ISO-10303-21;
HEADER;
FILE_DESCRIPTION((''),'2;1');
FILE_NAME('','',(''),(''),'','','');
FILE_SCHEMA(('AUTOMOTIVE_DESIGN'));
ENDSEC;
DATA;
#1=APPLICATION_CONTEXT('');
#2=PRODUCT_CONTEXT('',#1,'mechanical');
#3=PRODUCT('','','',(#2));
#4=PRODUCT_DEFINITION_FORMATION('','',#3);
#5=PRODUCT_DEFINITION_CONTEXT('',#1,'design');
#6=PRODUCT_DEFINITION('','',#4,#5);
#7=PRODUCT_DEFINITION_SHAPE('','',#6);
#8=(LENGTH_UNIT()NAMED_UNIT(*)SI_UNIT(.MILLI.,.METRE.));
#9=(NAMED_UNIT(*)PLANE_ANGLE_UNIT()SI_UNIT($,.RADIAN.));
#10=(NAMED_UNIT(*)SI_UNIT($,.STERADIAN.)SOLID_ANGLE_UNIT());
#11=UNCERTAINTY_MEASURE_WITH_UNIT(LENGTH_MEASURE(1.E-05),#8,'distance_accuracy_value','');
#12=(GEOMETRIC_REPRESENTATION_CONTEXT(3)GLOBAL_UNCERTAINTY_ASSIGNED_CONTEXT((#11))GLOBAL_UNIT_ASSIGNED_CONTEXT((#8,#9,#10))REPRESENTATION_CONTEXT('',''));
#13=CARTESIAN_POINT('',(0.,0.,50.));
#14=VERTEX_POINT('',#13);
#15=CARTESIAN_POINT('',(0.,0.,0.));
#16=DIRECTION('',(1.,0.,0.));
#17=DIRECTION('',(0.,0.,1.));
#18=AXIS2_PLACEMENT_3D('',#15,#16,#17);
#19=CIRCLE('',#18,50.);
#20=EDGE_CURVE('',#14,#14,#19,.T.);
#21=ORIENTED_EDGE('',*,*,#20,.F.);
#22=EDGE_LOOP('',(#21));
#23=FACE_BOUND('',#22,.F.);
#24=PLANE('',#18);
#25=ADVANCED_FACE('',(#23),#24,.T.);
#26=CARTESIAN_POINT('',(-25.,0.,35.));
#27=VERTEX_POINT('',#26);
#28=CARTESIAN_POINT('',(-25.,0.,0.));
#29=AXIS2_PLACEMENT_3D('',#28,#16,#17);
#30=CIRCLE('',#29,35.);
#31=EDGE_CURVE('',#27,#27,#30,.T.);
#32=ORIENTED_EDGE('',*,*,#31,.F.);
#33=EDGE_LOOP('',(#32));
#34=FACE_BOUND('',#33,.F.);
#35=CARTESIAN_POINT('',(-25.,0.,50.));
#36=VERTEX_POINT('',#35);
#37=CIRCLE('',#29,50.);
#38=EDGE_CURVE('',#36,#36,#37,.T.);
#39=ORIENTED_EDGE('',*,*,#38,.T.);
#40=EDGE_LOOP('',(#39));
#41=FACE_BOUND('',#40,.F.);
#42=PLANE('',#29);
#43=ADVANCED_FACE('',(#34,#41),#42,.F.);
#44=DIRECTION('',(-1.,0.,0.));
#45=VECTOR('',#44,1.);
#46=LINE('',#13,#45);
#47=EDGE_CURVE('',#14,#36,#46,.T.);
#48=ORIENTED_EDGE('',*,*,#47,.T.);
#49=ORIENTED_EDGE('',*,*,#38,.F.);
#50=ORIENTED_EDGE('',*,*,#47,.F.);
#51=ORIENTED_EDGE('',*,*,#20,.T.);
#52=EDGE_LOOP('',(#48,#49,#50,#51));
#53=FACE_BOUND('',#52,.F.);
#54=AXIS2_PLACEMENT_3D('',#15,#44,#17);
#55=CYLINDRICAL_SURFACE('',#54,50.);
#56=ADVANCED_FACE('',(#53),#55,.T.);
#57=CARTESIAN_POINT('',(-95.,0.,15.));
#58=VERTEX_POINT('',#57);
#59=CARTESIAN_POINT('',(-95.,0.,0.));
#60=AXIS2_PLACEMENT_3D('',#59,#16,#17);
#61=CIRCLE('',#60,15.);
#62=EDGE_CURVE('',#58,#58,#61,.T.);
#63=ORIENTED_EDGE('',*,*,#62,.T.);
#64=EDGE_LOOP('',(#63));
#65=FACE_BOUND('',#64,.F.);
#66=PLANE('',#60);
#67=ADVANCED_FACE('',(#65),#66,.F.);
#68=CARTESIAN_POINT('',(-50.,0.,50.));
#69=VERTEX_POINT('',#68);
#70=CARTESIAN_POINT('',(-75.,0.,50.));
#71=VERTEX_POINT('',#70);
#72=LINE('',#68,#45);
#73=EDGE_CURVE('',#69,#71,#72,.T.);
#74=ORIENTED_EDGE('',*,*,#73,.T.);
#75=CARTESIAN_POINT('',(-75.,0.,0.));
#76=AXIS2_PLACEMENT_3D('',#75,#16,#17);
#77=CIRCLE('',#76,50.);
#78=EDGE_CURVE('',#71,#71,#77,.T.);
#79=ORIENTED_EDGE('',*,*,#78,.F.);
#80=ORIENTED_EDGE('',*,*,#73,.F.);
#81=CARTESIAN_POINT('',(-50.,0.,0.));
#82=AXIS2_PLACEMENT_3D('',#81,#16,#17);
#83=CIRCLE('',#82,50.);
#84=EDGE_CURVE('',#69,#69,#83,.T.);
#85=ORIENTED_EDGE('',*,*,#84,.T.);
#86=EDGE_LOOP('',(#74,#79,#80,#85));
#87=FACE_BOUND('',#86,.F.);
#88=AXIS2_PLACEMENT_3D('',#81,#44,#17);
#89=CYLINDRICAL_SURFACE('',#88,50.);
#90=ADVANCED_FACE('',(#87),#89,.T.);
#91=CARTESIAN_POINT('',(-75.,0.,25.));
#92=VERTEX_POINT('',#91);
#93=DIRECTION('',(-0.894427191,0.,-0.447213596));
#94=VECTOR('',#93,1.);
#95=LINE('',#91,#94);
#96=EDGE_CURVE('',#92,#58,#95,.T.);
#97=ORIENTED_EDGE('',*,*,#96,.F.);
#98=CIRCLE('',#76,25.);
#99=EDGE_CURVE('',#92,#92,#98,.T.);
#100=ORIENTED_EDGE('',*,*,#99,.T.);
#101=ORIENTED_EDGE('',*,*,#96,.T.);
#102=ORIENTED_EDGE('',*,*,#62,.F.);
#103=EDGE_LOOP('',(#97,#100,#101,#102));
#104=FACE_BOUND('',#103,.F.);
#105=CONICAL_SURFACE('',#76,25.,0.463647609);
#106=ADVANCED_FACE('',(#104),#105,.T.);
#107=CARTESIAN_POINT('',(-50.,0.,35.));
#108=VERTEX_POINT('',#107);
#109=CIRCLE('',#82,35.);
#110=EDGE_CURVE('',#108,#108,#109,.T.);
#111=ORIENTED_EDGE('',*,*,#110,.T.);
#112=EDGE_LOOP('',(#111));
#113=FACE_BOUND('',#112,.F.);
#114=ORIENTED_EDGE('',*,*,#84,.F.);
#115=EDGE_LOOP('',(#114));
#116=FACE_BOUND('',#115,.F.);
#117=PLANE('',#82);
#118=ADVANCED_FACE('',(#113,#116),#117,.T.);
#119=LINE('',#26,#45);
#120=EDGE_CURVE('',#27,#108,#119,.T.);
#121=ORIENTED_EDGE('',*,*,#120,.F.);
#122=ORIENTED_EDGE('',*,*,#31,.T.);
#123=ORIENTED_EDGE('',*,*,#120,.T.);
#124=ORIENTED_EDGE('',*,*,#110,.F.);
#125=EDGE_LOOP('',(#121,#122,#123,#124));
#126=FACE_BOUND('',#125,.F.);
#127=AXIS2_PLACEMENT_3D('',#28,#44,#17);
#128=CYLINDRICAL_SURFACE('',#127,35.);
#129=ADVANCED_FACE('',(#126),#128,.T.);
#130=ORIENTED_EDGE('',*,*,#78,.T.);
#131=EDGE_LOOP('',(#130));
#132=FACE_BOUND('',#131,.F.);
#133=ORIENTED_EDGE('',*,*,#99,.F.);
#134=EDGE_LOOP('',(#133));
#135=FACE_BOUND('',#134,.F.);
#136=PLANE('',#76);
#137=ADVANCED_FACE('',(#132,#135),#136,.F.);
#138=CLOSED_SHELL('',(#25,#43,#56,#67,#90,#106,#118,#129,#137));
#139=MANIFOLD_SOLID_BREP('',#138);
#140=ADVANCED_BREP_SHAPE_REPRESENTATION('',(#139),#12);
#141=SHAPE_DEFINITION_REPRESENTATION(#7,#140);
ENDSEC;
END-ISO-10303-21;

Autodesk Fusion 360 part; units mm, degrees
sketch "Sketch1" plane through (0, 0, 0) normal (0, 1, 0) x (1, 0, 0)
  line L0 (0, 0) -> (0, -50)
  line L1 (0, -50) -> (-25, -50)
  line L2 (-50, -50) -> (-75, -50)
  line L3 (-75, -50) -> (-75, -25)
  line L4 (-75, -25) -> (-95, -15)
  line L5 (-95, -15) -> (-95, 0)
  line L6 (-95, 0) -> (0, 0)
  line L7 (-25, -50) -> (-25, -35)
  line L8 (-25, -35) -> (-50, -35)
  line L9 (-50, -35) -> (-50, -50)
revolve "Revolve1" add sketch "Sketch1" angle 360 about axis through (-95, 0, 0) along (1, 0, 0)
